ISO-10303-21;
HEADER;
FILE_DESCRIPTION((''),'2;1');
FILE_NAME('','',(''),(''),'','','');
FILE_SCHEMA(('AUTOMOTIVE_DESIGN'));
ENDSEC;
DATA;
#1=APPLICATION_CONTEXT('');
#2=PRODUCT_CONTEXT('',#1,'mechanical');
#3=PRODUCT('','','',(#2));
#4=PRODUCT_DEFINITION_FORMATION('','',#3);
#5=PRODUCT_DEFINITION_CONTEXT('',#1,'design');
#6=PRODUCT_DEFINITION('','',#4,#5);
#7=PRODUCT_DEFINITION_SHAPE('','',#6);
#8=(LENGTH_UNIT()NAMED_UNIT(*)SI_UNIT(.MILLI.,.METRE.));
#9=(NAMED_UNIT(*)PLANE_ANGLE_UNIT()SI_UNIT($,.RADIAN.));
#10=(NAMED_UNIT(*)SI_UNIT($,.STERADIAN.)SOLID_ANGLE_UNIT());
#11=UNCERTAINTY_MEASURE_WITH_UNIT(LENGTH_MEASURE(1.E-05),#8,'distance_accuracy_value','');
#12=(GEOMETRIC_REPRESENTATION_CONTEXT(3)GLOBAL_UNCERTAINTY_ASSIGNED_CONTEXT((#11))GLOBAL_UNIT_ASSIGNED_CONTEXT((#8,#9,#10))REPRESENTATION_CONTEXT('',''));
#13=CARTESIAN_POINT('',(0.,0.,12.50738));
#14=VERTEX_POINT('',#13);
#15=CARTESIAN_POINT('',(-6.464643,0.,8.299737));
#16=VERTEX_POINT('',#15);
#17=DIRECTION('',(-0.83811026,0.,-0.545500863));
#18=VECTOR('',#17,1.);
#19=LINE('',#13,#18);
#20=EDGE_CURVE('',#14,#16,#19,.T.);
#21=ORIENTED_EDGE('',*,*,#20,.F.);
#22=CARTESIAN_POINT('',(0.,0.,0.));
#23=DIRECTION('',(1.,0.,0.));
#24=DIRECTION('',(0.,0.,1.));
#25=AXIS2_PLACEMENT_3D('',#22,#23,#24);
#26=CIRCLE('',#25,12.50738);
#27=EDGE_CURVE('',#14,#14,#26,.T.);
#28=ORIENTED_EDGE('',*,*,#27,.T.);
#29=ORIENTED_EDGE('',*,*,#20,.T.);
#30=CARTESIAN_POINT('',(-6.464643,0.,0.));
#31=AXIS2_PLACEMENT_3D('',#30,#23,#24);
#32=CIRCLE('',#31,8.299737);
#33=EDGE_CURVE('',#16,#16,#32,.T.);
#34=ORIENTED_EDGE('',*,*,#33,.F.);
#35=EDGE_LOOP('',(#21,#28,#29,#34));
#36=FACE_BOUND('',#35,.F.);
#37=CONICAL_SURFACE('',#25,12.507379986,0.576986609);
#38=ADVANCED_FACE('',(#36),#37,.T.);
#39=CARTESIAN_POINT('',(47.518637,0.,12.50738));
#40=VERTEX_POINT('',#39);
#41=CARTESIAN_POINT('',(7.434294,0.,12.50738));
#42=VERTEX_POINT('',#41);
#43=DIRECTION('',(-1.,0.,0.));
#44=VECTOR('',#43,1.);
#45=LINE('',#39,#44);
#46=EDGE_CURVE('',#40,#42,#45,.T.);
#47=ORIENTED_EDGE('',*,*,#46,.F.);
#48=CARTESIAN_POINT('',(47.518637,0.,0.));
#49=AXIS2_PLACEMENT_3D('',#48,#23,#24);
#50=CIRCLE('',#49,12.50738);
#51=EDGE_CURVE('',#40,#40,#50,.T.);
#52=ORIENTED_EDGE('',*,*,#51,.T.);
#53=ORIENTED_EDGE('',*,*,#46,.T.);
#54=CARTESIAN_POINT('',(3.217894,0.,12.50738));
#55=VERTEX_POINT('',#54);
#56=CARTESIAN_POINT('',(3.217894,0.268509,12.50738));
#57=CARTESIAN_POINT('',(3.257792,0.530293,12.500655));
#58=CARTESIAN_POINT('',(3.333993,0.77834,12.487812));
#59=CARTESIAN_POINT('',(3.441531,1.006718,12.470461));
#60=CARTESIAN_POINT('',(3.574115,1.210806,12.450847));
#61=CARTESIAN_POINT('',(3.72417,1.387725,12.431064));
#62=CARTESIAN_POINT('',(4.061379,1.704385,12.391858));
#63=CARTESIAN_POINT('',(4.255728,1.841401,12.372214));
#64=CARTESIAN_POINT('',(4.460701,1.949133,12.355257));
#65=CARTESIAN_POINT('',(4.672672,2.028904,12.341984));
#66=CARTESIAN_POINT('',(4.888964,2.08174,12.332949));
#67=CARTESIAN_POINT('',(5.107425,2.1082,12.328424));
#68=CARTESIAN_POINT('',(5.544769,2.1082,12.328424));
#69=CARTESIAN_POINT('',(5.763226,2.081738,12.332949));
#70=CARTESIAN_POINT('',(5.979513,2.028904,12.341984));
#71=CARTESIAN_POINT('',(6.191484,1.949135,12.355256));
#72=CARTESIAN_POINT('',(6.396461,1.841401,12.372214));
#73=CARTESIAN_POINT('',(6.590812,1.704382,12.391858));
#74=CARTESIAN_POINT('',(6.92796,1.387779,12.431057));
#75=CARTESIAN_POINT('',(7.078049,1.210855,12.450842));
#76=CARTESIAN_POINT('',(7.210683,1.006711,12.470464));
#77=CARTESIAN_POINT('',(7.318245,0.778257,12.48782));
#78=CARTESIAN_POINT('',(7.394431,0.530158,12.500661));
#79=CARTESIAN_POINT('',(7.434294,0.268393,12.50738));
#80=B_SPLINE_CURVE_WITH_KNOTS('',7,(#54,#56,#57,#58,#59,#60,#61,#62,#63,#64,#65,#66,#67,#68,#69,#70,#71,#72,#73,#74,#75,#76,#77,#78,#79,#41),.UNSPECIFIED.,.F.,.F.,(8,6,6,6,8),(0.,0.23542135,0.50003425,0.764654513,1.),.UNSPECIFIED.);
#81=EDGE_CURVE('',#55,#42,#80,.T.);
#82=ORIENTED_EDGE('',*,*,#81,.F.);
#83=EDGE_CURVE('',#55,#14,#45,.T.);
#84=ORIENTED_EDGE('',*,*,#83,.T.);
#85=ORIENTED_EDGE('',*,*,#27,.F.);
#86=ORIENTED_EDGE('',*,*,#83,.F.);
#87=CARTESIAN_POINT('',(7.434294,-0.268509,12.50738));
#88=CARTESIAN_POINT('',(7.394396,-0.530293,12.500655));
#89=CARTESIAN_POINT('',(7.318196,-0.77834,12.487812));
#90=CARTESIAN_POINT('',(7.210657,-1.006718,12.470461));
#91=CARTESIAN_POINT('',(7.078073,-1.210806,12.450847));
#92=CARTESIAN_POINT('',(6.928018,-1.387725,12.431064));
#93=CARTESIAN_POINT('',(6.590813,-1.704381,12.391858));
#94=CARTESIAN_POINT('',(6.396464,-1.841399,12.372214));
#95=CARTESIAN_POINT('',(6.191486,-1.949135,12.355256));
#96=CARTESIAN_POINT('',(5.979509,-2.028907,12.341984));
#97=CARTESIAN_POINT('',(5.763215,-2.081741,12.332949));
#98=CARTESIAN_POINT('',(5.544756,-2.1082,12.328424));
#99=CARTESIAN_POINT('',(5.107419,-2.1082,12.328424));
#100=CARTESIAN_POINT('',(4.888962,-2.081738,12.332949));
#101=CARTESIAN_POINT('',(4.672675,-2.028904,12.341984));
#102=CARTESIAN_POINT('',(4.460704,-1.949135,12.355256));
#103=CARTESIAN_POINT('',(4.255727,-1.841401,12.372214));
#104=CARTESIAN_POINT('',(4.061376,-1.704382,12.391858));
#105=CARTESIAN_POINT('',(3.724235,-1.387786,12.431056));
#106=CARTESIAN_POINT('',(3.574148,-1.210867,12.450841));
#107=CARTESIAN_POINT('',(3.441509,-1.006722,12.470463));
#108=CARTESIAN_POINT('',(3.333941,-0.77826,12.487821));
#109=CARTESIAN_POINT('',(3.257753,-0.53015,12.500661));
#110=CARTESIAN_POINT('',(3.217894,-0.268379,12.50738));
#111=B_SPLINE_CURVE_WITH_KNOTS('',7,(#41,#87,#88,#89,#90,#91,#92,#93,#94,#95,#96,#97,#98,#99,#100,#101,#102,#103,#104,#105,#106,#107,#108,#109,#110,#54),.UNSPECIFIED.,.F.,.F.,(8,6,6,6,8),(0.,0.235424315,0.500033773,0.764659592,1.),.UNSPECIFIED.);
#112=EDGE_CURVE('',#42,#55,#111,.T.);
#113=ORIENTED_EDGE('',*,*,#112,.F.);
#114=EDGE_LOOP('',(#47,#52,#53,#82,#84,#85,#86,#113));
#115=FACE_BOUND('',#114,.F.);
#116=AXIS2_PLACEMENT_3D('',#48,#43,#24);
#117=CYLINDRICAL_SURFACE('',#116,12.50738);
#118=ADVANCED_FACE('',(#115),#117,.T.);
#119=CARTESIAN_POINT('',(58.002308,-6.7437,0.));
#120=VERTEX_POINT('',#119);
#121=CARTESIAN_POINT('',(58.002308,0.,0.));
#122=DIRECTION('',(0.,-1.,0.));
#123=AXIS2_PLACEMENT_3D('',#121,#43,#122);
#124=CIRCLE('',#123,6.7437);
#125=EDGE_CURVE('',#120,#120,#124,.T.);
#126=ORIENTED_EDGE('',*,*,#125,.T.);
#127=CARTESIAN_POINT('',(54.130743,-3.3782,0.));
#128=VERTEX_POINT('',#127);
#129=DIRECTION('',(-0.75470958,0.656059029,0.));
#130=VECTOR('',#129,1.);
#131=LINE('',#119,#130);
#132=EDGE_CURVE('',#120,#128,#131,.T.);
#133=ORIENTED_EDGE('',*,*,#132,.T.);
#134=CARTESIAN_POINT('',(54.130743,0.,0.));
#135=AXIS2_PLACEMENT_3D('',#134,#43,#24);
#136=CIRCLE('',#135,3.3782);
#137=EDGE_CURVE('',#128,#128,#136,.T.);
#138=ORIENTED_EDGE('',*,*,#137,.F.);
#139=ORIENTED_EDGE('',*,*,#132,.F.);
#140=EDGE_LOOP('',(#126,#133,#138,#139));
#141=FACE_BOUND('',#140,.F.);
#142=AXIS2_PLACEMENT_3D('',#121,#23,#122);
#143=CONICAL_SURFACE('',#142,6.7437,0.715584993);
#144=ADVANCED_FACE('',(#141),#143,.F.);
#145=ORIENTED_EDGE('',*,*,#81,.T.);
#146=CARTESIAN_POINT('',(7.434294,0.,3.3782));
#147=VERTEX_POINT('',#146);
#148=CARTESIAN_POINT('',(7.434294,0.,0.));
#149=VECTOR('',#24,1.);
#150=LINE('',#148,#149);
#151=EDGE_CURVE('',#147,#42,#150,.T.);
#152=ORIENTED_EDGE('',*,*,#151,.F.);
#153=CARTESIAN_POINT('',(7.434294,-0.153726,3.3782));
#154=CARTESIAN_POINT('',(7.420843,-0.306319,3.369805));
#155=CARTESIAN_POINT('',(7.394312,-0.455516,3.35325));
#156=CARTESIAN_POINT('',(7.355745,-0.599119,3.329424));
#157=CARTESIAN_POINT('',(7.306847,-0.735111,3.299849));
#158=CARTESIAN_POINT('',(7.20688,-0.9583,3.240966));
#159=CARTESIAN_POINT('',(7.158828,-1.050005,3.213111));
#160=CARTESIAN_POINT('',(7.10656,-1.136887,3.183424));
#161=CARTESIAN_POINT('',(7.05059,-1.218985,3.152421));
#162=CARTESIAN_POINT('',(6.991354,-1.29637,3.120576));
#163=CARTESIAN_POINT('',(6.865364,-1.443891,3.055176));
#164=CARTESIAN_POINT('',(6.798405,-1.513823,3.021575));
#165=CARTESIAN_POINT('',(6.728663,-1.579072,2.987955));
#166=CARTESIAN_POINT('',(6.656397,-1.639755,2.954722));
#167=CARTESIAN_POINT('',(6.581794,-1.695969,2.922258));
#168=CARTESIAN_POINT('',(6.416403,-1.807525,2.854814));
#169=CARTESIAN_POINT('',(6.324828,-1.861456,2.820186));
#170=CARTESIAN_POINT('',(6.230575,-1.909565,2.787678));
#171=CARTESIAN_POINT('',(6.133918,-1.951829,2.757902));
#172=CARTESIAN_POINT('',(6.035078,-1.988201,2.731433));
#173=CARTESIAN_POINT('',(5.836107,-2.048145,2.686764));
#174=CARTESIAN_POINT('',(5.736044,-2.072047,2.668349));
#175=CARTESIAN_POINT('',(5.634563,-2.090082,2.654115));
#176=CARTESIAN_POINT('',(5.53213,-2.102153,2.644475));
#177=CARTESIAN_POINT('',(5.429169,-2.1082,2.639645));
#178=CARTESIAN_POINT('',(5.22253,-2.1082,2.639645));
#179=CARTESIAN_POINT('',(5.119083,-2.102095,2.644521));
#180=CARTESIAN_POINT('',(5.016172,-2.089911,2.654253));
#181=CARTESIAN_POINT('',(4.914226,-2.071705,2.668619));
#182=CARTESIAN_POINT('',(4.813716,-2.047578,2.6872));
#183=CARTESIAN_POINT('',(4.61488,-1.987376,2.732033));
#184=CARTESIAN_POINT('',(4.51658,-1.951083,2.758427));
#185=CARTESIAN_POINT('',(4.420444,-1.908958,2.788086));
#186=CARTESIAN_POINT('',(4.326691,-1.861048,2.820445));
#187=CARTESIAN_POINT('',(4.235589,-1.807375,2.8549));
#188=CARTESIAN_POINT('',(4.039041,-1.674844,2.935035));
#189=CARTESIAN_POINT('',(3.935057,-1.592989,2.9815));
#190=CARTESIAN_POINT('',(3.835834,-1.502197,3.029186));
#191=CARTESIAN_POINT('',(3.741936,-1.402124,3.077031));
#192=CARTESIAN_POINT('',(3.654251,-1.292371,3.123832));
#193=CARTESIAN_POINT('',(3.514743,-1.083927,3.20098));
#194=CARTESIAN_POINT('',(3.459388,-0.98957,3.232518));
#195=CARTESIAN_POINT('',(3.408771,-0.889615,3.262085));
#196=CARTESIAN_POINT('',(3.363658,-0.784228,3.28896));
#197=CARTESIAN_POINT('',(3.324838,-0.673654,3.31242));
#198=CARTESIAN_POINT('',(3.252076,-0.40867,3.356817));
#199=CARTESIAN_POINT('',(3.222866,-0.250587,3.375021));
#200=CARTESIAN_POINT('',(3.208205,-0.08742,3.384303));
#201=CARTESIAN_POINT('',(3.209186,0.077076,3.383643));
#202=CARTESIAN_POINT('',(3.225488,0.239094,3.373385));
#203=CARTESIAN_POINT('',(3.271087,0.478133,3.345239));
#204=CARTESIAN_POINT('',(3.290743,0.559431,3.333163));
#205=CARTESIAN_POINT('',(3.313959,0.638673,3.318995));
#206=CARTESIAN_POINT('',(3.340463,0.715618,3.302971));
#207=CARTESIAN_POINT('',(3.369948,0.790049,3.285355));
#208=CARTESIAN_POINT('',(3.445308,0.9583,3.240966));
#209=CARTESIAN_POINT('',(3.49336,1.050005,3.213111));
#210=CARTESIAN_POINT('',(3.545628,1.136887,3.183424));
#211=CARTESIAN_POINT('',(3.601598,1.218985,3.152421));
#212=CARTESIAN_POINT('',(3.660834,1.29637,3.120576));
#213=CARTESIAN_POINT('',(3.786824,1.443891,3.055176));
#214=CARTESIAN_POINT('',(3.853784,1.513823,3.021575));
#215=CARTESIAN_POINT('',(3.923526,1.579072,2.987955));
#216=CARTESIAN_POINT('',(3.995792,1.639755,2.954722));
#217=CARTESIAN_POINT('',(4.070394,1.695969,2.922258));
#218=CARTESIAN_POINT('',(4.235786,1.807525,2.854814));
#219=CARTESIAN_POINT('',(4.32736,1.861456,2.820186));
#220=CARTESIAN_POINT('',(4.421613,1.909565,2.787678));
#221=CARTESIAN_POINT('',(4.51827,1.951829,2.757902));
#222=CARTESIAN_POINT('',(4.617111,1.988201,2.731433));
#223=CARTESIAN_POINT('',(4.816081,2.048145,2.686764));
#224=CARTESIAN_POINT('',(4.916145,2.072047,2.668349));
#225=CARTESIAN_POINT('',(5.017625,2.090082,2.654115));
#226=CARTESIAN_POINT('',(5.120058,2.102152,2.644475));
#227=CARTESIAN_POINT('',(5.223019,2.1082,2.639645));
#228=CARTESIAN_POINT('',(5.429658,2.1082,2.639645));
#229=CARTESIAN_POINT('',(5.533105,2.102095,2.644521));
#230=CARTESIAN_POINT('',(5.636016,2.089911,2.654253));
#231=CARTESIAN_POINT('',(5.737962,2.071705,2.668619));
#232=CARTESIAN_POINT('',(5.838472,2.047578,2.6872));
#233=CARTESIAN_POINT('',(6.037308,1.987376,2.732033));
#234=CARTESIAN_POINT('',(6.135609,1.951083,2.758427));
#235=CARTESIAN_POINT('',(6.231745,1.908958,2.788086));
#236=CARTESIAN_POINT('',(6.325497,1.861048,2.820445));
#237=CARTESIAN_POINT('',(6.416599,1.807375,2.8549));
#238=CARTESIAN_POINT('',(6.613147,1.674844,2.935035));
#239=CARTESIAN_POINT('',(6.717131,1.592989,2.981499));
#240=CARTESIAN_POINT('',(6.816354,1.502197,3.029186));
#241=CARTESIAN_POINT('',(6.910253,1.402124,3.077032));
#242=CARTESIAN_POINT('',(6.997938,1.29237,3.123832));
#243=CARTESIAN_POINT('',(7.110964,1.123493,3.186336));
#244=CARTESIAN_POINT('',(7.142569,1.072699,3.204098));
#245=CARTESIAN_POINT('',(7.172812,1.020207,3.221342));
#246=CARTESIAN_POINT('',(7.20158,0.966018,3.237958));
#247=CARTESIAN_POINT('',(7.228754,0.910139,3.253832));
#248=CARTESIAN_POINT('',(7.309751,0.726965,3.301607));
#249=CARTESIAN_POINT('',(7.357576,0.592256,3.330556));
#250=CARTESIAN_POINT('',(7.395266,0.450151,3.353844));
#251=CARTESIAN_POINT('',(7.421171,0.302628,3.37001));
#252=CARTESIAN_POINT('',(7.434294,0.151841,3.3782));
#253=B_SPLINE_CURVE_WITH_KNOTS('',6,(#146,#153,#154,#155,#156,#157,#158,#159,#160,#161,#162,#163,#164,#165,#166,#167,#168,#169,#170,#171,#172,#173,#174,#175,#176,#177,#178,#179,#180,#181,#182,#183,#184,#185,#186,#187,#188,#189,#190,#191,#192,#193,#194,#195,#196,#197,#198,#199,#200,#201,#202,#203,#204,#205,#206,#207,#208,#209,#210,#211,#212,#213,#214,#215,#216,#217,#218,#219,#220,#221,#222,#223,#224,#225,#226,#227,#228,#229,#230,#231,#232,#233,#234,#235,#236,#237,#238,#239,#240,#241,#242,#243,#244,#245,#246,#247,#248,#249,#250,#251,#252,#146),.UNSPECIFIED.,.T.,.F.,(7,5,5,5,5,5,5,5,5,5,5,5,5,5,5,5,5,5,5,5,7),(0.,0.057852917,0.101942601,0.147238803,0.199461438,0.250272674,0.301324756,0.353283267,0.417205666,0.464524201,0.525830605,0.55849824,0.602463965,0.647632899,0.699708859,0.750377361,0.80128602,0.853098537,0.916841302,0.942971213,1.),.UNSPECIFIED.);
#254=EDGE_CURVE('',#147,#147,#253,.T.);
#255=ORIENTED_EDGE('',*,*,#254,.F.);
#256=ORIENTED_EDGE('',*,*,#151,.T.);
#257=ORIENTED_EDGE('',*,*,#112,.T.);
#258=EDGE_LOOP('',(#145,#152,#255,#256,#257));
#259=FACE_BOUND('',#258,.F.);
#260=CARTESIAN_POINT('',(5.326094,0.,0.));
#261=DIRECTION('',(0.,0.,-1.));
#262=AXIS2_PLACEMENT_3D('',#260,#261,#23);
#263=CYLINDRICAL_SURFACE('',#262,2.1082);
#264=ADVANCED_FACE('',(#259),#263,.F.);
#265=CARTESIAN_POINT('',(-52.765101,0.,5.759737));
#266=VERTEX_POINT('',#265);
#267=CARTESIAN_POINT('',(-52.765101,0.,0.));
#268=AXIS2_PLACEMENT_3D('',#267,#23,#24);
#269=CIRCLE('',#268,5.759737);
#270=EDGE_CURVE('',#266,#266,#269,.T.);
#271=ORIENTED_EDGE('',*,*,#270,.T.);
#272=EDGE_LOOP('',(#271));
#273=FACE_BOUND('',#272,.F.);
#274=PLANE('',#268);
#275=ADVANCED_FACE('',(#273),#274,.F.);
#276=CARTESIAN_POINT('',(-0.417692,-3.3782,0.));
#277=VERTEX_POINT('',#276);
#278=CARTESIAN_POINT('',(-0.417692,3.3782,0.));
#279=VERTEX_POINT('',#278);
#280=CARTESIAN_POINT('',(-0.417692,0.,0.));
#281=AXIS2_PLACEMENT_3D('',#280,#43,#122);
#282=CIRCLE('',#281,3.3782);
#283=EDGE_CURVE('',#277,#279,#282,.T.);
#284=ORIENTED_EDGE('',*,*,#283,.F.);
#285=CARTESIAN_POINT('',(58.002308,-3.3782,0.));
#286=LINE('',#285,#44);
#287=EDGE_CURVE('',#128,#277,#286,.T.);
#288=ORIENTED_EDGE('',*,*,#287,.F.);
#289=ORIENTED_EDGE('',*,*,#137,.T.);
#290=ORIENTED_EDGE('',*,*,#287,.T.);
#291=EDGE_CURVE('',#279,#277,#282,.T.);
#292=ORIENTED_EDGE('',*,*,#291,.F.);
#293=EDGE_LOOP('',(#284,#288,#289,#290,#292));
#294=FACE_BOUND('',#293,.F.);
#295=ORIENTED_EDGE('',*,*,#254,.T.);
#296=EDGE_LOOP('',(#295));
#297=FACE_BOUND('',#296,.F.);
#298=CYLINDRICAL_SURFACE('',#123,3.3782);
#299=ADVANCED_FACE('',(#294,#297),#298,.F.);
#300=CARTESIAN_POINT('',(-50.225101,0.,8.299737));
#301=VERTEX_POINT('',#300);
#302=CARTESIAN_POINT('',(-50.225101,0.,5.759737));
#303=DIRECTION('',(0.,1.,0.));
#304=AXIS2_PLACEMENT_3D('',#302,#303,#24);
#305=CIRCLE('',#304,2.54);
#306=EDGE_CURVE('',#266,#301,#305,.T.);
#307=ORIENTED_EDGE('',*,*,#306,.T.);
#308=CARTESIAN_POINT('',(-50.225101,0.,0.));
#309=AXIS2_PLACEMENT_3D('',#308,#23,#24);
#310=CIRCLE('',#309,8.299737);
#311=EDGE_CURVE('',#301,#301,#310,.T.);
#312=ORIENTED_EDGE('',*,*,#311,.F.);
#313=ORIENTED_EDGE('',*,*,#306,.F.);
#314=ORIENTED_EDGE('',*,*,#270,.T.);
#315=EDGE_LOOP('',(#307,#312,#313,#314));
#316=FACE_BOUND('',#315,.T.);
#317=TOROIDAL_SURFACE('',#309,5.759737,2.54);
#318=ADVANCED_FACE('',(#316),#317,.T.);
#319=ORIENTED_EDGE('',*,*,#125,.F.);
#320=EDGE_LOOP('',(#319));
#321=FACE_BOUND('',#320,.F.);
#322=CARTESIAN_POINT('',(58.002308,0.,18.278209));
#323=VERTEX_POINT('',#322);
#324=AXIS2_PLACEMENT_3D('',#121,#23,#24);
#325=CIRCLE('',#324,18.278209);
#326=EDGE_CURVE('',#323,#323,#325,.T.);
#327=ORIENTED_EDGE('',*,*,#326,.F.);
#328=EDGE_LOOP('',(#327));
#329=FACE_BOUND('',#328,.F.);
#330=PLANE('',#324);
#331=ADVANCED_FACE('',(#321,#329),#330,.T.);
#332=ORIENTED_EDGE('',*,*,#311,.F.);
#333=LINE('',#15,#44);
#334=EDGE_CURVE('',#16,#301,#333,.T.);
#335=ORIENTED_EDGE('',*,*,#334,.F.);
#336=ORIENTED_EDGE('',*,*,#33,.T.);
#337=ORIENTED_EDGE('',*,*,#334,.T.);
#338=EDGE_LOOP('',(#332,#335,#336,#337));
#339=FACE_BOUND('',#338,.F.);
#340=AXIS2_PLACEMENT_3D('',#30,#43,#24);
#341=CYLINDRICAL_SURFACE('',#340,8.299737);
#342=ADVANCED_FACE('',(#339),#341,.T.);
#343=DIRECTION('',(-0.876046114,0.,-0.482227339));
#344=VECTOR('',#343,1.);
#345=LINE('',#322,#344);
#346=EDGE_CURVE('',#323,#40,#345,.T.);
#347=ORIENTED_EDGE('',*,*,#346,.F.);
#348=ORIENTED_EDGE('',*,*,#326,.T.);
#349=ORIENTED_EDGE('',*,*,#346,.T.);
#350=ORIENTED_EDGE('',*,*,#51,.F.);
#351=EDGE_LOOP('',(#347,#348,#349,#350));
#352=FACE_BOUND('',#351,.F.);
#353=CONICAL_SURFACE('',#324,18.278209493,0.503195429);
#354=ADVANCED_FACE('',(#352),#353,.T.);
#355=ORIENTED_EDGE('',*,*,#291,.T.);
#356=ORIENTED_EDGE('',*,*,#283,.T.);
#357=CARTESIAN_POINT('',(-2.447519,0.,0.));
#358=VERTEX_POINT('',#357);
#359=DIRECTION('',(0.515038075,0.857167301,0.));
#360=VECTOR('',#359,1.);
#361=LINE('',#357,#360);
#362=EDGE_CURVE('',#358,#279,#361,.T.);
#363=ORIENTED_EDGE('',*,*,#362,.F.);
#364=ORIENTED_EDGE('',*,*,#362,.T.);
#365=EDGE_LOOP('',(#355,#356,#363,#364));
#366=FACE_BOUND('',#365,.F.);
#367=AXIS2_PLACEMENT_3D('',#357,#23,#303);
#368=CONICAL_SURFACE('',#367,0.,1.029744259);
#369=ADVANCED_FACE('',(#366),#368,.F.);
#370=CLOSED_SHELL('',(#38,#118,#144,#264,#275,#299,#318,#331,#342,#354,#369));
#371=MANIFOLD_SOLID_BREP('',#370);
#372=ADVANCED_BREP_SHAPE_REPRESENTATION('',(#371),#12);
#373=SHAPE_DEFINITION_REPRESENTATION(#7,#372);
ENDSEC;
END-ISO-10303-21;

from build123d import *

# Parameters (mm, degrees)
F2_R           = 2.54
F4_D           = 6.7564
F4_DEPTH       = 58.42
F4_CSINK_D     = 13.4874
F4_CSINK_ANGLE = 82
F4_TIP         = 2.0298273432
F6_D           = 4.2164
F6_DEPTH       = 18.2792094926


with BuildPart() as f1:
    # F0 (on Front) → F1 (revolve)
    with BuildSketch(Plane.XZ):
        Polygon((-52.7651011944, 8.2997372374), (-52.7651011944, 0), (58.0023080111, 0), (58.0023080111, 12.5073799863), (58.0023080111, 18.2782094926), (47.5186370313, 12.5073799863), (0, 12.5073799863), (-6.4646434039, 8.2997372374), align=None)
    revolve(axis=Axis((-11.7605924606, 0, 0), (1, 0, 0)))

    # F2
    f2_edges = [f1.edges().sort_by_distance(p)[0] for p in [
        (-52.765101, 0, -8.299737),
    ]]
    fillet(f2_edges, radius=F2_R)

    # F4
    with Locations(Plane.YZ.offset(58.0023080111)):
        with Locations((0, 0)):
            CounterSinkHole(F4_D / 2, F4_CSINK_D / 2, depth=F4_DEPTH, counter_sink_angle=F4_CSINK_ANGLE)
            with Locations((0, 0, -(F4_DEPTH + F4_TIP / 2))):  # 118° drill point
                Cone(0, F4_D / 2, F4_TIP, mode=Mode.SUBTRACT)

    # F6 (through all, one way)
    with BuildSketch(Plane(origin=(0, 0, 0), x_dir=(1, 0, 0), z_dir=(0, 0, -1))):
        with Locations((5.3260941058, 0)):
            Circle(F6_D / 2)
    extrude(amount=-F6_DEPTH, mode=Mode.SUBTRACT)


solid = f1.part
